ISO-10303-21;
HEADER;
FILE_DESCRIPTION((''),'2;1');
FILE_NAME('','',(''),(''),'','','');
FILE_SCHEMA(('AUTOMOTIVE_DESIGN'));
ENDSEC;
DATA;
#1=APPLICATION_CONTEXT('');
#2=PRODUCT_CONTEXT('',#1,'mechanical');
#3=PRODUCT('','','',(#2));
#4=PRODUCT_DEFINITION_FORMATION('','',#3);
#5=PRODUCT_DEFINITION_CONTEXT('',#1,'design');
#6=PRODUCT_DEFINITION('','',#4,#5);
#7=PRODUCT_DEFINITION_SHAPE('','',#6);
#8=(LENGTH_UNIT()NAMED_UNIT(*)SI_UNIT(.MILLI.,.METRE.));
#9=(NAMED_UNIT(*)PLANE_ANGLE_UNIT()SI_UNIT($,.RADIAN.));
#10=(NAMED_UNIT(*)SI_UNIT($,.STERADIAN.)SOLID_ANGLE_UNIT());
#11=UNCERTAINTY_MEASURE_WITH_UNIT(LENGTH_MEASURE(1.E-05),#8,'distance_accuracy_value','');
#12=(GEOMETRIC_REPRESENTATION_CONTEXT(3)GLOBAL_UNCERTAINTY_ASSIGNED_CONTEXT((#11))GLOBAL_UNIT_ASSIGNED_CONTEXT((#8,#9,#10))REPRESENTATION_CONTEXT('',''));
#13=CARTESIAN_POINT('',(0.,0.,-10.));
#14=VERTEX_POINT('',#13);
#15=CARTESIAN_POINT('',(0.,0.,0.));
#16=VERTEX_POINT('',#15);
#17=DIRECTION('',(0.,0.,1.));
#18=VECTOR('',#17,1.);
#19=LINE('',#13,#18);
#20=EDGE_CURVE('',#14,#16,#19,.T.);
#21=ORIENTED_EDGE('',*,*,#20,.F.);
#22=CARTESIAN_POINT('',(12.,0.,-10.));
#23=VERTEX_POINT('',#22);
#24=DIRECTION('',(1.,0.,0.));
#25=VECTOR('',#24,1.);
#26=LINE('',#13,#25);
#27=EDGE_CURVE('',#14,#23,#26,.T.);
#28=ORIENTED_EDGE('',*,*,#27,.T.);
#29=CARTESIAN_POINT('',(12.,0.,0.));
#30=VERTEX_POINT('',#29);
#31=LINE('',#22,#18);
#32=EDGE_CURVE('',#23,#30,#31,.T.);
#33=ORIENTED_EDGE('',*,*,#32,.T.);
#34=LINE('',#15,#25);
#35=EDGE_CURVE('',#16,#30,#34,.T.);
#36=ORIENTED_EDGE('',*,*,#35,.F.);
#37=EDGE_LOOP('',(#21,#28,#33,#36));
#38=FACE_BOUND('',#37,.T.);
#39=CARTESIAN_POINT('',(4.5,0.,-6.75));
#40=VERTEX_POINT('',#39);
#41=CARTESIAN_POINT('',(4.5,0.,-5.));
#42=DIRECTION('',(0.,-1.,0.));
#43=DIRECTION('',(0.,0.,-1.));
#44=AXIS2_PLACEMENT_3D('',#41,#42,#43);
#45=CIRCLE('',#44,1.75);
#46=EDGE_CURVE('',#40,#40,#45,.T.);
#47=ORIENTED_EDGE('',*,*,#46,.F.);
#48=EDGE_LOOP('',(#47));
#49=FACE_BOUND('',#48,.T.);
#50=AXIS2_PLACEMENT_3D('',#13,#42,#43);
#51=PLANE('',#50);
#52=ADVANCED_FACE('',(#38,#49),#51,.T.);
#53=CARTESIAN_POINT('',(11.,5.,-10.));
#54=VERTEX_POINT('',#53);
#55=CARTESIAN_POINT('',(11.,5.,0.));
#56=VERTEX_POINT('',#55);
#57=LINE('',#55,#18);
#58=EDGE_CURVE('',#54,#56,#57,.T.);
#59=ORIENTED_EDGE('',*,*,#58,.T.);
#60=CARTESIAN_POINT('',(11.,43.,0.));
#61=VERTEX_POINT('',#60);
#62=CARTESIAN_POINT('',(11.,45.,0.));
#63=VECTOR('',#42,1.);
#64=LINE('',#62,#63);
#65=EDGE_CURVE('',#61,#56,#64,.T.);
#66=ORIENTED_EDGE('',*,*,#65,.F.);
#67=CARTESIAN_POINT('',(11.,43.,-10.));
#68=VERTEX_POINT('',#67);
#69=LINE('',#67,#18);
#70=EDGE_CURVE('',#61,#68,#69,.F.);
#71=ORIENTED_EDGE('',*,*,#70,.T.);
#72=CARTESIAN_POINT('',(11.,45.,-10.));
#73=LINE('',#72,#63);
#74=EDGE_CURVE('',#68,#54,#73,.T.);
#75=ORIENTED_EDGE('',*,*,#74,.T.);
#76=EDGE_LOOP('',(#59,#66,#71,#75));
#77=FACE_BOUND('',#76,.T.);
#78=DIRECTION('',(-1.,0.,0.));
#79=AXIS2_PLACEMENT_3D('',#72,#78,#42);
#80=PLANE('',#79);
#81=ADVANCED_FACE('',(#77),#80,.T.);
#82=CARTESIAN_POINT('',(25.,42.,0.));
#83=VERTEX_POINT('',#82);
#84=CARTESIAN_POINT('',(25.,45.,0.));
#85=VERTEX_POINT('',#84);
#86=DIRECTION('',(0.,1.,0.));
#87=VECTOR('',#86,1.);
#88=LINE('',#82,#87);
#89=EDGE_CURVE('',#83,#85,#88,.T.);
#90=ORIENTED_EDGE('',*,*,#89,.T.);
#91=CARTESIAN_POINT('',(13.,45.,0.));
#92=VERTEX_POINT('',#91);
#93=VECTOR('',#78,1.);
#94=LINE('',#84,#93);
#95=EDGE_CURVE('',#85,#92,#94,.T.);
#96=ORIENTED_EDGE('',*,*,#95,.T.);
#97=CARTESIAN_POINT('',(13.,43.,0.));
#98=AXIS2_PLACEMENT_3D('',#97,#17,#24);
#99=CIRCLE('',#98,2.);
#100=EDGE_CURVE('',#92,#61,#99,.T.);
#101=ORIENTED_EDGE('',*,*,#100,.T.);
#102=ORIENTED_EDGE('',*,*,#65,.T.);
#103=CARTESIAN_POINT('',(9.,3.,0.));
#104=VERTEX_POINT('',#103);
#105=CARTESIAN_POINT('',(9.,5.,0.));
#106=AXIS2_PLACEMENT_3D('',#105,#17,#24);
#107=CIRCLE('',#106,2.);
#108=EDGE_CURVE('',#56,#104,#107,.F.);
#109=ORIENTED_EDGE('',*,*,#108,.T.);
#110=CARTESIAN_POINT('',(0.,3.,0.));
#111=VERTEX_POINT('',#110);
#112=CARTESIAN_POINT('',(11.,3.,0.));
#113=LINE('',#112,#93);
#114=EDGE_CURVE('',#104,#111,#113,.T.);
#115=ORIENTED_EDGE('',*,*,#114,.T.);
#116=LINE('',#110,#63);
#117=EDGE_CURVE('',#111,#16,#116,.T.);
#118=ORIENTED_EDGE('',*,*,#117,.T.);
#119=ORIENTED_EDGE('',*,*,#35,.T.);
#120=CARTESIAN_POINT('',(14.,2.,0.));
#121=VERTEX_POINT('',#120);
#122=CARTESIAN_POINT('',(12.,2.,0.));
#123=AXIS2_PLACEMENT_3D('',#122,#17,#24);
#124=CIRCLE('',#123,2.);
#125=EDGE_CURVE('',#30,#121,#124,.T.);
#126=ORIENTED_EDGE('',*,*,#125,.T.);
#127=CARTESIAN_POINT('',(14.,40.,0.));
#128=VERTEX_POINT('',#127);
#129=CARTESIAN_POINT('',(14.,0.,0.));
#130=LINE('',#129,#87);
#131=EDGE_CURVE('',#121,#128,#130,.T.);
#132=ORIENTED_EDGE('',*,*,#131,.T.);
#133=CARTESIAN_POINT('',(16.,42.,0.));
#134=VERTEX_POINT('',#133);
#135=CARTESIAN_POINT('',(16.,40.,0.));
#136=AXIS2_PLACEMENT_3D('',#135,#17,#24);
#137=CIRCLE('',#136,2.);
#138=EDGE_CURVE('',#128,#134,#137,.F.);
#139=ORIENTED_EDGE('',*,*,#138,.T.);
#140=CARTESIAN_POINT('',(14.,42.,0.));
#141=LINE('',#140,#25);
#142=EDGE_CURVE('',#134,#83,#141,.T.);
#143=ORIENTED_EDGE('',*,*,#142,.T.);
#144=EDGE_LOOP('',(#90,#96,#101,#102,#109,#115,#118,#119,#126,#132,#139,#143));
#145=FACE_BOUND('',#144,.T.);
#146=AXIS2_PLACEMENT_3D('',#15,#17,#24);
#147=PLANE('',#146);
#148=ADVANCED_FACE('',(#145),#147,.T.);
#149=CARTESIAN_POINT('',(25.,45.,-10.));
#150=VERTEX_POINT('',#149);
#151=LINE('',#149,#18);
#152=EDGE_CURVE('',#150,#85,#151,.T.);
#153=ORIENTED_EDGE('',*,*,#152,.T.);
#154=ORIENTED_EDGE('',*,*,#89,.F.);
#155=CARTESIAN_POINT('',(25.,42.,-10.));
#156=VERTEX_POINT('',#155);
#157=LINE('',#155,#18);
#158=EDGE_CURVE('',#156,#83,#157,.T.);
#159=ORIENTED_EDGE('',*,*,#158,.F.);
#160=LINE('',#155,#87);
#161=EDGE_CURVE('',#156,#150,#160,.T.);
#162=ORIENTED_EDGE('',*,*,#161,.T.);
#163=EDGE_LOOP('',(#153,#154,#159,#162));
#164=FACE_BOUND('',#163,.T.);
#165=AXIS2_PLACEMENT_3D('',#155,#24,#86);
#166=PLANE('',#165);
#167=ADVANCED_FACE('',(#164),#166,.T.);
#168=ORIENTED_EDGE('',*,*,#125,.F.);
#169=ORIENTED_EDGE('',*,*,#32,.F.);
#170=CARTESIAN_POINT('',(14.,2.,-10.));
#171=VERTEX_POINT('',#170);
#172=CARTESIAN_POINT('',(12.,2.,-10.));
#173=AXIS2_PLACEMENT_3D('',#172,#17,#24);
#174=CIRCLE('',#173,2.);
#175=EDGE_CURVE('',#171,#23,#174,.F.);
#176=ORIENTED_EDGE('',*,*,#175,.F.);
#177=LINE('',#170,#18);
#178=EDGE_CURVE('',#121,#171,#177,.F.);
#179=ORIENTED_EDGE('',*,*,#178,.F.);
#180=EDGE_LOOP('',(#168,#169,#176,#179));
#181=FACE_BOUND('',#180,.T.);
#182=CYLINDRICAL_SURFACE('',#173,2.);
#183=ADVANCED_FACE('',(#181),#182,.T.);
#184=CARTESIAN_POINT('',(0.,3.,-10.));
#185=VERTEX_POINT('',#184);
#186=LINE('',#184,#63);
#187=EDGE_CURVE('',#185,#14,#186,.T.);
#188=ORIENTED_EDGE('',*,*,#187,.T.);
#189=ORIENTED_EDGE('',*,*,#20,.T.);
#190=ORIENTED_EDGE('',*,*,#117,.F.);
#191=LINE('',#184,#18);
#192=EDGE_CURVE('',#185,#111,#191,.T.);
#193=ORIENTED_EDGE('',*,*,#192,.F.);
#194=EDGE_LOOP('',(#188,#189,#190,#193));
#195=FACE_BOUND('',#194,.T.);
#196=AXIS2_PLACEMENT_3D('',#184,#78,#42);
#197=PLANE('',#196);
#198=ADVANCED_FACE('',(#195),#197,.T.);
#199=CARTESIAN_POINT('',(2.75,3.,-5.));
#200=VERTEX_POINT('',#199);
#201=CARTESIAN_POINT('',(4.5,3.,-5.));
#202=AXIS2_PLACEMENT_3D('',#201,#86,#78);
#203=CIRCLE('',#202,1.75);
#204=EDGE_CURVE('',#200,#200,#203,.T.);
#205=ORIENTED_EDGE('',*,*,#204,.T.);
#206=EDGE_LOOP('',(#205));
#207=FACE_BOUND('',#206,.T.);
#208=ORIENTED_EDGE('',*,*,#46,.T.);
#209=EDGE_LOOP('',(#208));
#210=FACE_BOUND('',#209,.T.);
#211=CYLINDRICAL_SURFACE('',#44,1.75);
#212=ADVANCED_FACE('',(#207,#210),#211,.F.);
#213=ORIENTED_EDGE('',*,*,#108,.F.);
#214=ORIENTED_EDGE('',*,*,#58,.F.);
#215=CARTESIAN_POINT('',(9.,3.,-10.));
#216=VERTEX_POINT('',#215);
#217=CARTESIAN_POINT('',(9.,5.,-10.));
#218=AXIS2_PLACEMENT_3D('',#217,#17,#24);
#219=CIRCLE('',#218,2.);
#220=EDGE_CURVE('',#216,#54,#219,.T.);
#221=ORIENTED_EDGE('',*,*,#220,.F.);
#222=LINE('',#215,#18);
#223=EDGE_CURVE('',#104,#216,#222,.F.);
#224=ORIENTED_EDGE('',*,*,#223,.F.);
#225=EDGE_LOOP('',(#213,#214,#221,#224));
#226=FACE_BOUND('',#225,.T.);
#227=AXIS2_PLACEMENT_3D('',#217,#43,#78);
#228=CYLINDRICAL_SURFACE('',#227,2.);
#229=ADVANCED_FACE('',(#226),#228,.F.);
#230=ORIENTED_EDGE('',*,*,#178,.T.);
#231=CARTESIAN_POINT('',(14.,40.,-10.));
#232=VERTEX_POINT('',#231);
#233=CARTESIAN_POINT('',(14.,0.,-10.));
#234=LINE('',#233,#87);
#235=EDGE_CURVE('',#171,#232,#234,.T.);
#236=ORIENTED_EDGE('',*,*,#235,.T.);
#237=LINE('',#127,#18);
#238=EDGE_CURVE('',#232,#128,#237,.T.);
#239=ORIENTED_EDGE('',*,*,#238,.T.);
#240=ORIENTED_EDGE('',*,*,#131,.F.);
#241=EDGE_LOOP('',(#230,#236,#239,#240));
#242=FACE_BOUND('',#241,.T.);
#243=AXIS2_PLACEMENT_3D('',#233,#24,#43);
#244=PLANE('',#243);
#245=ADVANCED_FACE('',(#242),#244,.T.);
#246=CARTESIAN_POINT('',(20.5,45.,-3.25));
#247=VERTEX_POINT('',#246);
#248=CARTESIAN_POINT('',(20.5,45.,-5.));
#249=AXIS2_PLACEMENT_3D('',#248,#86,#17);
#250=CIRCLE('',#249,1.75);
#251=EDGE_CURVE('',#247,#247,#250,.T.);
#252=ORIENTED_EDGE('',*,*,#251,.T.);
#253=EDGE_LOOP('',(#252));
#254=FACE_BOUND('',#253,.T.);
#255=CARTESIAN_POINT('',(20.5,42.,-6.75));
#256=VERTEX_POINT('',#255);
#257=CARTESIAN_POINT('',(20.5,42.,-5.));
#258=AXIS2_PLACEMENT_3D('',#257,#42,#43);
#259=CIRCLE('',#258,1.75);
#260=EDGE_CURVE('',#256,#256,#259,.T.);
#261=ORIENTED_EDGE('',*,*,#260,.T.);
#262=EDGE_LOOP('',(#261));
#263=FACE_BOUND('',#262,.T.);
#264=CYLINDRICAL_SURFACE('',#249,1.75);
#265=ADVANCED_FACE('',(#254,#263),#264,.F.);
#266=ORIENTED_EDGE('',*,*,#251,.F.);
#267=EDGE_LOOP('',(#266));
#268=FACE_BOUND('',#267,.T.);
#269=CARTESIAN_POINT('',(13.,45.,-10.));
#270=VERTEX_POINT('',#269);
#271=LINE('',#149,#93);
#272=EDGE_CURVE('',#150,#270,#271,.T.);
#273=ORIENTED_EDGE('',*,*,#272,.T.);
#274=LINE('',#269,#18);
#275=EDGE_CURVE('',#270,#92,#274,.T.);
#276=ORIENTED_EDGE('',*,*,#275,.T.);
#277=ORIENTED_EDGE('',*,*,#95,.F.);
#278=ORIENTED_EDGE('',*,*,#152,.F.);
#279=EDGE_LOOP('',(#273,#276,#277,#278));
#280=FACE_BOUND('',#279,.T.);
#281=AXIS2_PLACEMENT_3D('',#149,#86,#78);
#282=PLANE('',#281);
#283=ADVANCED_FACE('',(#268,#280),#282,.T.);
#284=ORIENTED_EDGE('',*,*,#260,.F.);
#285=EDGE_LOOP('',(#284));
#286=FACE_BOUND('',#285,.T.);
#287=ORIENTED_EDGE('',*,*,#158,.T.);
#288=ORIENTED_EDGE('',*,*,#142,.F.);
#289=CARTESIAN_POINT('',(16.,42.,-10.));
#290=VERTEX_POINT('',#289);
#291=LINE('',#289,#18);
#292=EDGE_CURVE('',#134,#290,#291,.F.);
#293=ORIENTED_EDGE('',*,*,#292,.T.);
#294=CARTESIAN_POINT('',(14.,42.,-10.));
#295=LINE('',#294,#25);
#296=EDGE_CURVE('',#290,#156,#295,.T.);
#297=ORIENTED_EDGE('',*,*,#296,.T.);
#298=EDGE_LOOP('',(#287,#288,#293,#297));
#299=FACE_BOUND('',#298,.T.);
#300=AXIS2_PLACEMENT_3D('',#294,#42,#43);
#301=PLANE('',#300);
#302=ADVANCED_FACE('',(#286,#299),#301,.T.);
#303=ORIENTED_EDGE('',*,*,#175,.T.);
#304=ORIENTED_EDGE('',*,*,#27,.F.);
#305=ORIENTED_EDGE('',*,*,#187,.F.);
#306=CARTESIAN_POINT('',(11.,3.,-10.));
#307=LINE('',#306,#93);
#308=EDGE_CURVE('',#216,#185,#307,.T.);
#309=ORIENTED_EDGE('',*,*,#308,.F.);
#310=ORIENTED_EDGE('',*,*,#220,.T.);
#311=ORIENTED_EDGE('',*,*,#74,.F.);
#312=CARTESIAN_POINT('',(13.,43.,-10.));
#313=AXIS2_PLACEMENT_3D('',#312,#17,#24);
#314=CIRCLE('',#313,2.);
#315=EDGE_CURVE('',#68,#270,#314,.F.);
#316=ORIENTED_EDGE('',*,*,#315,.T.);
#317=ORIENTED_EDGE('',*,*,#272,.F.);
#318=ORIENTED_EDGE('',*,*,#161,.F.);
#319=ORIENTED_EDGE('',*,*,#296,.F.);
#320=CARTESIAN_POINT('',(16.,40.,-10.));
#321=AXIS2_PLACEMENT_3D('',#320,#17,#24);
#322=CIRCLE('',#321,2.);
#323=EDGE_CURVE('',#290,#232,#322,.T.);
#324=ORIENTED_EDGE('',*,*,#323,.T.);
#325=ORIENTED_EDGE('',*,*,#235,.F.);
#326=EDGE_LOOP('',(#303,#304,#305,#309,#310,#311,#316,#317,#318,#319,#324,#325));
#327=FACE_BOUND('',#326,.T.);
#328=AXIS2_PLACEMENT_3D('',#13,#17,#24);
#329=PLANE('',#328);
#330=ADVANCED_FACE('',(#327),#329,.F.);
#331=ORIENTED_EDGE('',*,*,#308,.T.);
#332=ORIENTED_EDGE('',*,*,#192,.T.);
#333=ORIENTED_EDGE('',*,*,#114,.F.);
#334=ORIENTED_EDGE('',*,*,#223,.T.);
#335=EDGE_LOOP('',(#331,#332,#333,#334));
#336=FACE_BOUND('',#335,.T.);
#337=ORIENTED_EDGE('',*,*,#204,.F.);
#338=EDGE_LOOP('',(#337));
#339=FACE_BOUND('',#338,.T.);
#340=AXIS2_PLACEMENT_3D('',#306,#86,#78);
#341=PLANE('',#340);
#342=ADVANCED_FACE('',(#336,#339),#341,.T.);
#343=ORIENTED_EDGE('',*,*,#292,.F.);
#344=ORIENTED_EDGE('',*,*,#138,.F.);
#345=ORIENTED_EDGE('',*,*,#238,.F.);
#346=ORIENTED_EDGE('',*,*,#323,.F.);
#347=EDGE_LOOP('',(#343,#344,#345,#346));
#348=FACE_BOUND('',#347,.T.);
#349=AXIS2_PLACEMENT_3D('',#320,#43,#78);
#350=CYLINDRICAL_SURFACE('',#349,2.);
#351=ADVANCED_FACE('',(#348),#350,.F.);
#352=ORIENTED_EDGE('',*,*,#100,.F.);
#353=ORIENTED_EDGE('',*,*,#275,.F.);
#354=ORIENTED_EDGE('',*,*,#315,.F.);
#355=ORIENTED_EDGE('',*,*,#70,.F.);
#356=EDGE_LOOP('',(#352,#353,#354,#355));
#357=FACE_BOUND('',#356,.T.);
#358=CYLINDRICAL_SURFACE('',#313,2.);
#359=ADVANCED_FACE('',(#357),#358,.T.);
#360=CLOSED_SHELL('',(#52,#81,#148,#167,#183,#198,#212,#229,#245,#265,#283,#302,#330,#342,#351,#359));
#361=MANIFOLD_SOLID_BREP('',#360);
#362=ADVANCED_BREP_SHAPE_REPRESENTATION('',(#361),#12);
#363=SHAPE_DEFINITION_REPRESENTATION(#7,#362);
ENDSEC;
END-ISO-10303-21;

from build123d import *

# Parameters (mm, degrees)
BOSS_EXTRUDE1_DEPTH   = 10
FILLET1_R             = 2
F_3_0MM_DOWEL_HOLE1_D = 3.5
F_3_0MM_DOWEL_HOLE2_D = 3.5


with BuildPart() as part:
    # Sketch1 → Boss-Extrude1 (new body)
    with BuildSketch(Plane.XY):
        Polygon((0, 0), (14, 0), (14, 42), (25, 42), (25, 45), (11, 45), (11, 3), (0, 3), align=None)
    extrude(amount=-BOSS_EXTRUDE1_DEPTH)

    # Fillet1
    fillet1_edges = [part.edges().sort_by_distance(p)[0] for p in [
        (11, 3, -5),
        (11, 45, -5),
        (14, 42, -5),
        (14, 0, -5),
    ]]
    fillet(fillet1_edges, radius=FILLET1_R)

    # Ø3.0mm Dowel Hole1 (through all)
    with Locations(Plane(origin=(4.5, 0, -5), x_dir=(0, 0, -1), z_dir=(0, -1, 0))):
        with Locations((0, 0)):
            Hole(F_3_0MM_DOWEL_HOLE1_D / 2)

    # Ø3.0mm Dowel Hole2 (through all)
    with Locations(Plane(origin=(0, 45, 0), x_dir=(1, 0, 0), z_dir=(0, 1, 0))):
        with Locations((20.5, 5)):
            Hole(F_3_0MM_DOWEL_HOLE2_D / 2)


solid = part.part
